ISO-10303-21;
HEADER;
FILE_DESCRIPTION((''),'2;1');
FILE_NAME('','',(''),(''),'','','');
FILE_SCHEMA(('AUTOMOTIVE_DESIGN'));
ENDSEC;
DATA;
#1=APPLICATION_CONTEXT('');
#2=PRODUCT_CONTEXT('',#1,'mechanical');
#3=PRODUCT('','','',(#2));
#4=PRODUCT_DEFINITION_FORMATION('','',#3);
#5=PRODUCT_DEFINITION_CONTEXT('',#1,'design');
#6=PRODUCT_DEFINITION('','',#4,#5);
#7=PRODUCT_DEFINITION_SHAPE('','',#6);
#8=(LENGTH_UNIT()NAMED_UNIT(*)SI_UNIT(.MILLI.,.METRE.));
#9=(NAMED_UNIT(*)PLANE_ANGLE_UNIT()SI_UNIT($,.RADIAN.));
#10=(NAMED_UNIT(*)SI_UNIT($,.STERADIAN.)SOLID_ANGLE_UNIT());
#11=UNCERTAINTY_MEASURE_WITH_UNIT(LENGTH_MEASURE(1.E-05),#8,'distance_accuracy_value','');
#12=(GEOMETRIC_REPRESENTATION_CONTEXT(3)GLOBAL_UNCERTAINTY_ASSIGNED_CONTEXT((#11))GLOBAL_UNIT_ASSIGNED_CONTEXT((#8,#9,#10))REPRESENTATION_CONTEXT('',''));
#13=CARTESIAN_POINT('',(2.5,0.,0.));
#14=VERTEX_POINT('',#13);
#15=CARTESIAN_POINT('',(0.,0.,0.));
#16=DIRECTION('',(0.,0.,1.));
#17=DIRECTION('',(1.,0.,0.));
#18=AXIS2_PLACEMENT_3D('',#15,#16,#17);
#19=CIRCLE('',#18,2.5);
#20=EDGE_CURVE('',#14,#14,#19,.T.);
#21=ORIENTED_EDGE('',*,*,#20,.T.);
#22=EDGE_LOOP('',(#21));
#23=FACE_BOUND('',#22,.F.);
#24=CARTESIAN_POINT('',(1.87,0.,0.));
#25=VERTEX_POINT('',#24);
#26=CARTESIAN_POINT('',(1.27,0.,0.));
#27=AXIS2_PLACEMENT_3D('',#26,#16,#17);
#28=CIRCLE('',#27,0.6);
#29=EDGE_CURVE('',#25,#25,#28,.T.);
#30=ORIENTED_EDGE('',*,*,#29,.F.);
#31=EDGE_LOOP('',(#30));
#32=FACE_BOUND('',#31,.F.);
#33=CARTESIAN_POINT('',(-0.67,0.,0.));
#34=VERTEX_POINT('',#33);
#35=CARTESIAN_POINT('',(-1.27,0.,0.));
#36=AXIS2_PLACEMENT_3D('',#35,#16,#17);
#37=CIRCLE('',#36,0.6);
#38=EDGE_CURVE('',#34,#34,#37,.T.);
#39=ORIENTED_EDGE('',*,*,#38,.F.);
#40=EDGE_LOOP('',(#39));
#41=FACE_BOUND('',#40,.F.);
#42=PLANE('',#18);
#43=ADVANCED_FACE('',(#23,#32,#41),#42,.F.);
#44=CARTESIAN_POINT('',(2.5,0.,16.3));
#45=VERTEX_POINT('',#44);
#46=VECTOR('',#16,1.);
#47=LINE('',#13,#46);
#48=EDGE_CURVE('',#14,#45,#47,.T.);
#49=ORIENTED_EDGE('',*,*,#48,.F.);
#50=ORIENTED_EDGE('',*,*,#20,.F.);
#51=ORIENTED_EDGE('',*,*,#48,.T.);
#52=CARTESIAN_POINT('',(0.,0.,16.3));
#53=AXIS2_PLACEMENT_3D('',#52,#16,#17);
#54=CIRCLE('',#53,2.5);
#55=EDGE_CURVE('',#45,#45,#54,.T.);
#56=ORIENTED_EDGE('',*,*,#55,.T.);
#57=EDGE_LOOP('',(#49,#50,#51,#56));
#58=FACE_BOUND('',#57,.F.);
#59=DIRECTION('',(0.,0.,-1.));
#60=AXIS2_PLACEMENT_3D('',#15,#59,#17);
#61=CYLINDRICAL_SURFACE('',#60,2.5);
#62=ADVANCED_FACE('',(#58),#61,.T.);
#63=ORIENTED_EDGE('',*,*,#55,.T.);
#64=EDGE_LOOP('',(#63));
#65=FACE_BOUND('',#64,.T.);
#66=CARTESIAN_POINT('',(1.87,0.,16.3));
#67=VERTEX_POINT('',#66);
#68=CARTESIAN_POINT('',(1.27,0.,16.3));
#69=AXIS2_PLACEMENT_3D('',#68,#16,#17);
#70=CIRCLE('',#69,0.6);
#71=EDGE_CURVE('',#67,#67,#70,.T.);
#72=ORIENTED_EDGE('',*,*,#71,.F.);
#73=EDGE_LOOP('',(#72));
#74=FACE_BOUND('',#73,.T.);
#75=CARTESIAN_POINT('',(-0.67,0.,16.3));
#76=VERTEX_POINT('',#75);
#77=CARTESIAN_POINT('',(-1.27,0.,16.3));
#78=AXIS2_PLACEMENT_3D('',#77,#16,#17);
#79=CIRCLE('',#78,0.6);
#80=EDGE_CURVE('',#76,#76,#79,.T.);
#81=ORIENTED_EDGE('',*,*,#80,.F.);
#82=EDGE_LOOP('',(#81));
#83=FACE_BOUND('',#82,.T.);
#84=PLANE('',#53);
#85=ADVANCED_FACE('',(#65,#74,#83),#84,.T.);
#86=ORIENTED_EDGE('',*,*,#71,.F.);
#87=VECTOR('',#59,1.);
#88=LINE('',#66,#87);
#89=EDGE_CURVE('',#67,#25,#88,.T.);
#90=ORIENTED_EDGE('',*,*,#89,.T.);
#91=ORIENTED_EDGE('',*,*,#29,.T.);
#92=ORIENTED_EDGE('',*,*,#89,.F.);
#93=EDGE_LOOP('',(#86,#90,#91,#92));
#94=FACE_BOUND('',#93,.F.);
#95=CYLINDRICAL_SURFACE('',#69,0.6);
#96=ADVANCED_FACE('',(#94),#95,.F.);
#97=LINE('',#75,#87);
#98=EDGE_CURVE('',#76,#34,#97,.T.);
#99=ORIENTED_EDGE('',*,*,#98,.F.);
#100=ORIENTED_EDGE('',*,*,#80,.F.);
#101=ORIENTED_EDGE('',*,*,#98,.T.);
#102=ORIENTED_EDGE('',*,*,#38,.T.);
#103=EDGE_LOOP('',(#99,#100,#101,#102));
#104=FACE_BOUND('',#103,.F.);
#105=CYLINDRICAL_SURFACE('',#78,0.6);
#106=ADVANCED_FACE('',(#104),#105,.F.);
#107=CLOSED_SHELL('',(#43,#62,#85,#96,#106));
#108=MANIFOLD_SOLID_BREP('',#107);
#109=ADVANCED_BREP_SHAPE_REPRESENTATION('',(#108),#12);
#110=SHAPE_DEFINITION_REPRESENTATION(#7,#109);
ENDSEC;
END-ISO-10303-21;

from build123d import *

# Parameters (mm, degrees)
SKETCH_R     = 2.5
PAD_DEPTH    = 16.3
SKETCH001_R  = 0.6
POCKET_DEPTH = 16.301


with BuildPart() as part:
    # Sketch → Pad (new body)
    with BuildSketch(Plane.XY):
        Circle(SKETCH_R)
    extrude(amount=PAD_DEPTH)

    # Sketch001 (on Face3 of Pad) → Pocket (cut, through all)
    with BuildSketch(Plane.XY.offset(16.3)):
        with Locations((-1.27, 0)):
            Circle(SKETCH001_R)
        with Locations((1.27, 0)):
            Circle(SKETCH001_R)
    extrude(amount=-POCKET_DEPTH, mode=Mode.SUBTRACT)


solid = part.part
